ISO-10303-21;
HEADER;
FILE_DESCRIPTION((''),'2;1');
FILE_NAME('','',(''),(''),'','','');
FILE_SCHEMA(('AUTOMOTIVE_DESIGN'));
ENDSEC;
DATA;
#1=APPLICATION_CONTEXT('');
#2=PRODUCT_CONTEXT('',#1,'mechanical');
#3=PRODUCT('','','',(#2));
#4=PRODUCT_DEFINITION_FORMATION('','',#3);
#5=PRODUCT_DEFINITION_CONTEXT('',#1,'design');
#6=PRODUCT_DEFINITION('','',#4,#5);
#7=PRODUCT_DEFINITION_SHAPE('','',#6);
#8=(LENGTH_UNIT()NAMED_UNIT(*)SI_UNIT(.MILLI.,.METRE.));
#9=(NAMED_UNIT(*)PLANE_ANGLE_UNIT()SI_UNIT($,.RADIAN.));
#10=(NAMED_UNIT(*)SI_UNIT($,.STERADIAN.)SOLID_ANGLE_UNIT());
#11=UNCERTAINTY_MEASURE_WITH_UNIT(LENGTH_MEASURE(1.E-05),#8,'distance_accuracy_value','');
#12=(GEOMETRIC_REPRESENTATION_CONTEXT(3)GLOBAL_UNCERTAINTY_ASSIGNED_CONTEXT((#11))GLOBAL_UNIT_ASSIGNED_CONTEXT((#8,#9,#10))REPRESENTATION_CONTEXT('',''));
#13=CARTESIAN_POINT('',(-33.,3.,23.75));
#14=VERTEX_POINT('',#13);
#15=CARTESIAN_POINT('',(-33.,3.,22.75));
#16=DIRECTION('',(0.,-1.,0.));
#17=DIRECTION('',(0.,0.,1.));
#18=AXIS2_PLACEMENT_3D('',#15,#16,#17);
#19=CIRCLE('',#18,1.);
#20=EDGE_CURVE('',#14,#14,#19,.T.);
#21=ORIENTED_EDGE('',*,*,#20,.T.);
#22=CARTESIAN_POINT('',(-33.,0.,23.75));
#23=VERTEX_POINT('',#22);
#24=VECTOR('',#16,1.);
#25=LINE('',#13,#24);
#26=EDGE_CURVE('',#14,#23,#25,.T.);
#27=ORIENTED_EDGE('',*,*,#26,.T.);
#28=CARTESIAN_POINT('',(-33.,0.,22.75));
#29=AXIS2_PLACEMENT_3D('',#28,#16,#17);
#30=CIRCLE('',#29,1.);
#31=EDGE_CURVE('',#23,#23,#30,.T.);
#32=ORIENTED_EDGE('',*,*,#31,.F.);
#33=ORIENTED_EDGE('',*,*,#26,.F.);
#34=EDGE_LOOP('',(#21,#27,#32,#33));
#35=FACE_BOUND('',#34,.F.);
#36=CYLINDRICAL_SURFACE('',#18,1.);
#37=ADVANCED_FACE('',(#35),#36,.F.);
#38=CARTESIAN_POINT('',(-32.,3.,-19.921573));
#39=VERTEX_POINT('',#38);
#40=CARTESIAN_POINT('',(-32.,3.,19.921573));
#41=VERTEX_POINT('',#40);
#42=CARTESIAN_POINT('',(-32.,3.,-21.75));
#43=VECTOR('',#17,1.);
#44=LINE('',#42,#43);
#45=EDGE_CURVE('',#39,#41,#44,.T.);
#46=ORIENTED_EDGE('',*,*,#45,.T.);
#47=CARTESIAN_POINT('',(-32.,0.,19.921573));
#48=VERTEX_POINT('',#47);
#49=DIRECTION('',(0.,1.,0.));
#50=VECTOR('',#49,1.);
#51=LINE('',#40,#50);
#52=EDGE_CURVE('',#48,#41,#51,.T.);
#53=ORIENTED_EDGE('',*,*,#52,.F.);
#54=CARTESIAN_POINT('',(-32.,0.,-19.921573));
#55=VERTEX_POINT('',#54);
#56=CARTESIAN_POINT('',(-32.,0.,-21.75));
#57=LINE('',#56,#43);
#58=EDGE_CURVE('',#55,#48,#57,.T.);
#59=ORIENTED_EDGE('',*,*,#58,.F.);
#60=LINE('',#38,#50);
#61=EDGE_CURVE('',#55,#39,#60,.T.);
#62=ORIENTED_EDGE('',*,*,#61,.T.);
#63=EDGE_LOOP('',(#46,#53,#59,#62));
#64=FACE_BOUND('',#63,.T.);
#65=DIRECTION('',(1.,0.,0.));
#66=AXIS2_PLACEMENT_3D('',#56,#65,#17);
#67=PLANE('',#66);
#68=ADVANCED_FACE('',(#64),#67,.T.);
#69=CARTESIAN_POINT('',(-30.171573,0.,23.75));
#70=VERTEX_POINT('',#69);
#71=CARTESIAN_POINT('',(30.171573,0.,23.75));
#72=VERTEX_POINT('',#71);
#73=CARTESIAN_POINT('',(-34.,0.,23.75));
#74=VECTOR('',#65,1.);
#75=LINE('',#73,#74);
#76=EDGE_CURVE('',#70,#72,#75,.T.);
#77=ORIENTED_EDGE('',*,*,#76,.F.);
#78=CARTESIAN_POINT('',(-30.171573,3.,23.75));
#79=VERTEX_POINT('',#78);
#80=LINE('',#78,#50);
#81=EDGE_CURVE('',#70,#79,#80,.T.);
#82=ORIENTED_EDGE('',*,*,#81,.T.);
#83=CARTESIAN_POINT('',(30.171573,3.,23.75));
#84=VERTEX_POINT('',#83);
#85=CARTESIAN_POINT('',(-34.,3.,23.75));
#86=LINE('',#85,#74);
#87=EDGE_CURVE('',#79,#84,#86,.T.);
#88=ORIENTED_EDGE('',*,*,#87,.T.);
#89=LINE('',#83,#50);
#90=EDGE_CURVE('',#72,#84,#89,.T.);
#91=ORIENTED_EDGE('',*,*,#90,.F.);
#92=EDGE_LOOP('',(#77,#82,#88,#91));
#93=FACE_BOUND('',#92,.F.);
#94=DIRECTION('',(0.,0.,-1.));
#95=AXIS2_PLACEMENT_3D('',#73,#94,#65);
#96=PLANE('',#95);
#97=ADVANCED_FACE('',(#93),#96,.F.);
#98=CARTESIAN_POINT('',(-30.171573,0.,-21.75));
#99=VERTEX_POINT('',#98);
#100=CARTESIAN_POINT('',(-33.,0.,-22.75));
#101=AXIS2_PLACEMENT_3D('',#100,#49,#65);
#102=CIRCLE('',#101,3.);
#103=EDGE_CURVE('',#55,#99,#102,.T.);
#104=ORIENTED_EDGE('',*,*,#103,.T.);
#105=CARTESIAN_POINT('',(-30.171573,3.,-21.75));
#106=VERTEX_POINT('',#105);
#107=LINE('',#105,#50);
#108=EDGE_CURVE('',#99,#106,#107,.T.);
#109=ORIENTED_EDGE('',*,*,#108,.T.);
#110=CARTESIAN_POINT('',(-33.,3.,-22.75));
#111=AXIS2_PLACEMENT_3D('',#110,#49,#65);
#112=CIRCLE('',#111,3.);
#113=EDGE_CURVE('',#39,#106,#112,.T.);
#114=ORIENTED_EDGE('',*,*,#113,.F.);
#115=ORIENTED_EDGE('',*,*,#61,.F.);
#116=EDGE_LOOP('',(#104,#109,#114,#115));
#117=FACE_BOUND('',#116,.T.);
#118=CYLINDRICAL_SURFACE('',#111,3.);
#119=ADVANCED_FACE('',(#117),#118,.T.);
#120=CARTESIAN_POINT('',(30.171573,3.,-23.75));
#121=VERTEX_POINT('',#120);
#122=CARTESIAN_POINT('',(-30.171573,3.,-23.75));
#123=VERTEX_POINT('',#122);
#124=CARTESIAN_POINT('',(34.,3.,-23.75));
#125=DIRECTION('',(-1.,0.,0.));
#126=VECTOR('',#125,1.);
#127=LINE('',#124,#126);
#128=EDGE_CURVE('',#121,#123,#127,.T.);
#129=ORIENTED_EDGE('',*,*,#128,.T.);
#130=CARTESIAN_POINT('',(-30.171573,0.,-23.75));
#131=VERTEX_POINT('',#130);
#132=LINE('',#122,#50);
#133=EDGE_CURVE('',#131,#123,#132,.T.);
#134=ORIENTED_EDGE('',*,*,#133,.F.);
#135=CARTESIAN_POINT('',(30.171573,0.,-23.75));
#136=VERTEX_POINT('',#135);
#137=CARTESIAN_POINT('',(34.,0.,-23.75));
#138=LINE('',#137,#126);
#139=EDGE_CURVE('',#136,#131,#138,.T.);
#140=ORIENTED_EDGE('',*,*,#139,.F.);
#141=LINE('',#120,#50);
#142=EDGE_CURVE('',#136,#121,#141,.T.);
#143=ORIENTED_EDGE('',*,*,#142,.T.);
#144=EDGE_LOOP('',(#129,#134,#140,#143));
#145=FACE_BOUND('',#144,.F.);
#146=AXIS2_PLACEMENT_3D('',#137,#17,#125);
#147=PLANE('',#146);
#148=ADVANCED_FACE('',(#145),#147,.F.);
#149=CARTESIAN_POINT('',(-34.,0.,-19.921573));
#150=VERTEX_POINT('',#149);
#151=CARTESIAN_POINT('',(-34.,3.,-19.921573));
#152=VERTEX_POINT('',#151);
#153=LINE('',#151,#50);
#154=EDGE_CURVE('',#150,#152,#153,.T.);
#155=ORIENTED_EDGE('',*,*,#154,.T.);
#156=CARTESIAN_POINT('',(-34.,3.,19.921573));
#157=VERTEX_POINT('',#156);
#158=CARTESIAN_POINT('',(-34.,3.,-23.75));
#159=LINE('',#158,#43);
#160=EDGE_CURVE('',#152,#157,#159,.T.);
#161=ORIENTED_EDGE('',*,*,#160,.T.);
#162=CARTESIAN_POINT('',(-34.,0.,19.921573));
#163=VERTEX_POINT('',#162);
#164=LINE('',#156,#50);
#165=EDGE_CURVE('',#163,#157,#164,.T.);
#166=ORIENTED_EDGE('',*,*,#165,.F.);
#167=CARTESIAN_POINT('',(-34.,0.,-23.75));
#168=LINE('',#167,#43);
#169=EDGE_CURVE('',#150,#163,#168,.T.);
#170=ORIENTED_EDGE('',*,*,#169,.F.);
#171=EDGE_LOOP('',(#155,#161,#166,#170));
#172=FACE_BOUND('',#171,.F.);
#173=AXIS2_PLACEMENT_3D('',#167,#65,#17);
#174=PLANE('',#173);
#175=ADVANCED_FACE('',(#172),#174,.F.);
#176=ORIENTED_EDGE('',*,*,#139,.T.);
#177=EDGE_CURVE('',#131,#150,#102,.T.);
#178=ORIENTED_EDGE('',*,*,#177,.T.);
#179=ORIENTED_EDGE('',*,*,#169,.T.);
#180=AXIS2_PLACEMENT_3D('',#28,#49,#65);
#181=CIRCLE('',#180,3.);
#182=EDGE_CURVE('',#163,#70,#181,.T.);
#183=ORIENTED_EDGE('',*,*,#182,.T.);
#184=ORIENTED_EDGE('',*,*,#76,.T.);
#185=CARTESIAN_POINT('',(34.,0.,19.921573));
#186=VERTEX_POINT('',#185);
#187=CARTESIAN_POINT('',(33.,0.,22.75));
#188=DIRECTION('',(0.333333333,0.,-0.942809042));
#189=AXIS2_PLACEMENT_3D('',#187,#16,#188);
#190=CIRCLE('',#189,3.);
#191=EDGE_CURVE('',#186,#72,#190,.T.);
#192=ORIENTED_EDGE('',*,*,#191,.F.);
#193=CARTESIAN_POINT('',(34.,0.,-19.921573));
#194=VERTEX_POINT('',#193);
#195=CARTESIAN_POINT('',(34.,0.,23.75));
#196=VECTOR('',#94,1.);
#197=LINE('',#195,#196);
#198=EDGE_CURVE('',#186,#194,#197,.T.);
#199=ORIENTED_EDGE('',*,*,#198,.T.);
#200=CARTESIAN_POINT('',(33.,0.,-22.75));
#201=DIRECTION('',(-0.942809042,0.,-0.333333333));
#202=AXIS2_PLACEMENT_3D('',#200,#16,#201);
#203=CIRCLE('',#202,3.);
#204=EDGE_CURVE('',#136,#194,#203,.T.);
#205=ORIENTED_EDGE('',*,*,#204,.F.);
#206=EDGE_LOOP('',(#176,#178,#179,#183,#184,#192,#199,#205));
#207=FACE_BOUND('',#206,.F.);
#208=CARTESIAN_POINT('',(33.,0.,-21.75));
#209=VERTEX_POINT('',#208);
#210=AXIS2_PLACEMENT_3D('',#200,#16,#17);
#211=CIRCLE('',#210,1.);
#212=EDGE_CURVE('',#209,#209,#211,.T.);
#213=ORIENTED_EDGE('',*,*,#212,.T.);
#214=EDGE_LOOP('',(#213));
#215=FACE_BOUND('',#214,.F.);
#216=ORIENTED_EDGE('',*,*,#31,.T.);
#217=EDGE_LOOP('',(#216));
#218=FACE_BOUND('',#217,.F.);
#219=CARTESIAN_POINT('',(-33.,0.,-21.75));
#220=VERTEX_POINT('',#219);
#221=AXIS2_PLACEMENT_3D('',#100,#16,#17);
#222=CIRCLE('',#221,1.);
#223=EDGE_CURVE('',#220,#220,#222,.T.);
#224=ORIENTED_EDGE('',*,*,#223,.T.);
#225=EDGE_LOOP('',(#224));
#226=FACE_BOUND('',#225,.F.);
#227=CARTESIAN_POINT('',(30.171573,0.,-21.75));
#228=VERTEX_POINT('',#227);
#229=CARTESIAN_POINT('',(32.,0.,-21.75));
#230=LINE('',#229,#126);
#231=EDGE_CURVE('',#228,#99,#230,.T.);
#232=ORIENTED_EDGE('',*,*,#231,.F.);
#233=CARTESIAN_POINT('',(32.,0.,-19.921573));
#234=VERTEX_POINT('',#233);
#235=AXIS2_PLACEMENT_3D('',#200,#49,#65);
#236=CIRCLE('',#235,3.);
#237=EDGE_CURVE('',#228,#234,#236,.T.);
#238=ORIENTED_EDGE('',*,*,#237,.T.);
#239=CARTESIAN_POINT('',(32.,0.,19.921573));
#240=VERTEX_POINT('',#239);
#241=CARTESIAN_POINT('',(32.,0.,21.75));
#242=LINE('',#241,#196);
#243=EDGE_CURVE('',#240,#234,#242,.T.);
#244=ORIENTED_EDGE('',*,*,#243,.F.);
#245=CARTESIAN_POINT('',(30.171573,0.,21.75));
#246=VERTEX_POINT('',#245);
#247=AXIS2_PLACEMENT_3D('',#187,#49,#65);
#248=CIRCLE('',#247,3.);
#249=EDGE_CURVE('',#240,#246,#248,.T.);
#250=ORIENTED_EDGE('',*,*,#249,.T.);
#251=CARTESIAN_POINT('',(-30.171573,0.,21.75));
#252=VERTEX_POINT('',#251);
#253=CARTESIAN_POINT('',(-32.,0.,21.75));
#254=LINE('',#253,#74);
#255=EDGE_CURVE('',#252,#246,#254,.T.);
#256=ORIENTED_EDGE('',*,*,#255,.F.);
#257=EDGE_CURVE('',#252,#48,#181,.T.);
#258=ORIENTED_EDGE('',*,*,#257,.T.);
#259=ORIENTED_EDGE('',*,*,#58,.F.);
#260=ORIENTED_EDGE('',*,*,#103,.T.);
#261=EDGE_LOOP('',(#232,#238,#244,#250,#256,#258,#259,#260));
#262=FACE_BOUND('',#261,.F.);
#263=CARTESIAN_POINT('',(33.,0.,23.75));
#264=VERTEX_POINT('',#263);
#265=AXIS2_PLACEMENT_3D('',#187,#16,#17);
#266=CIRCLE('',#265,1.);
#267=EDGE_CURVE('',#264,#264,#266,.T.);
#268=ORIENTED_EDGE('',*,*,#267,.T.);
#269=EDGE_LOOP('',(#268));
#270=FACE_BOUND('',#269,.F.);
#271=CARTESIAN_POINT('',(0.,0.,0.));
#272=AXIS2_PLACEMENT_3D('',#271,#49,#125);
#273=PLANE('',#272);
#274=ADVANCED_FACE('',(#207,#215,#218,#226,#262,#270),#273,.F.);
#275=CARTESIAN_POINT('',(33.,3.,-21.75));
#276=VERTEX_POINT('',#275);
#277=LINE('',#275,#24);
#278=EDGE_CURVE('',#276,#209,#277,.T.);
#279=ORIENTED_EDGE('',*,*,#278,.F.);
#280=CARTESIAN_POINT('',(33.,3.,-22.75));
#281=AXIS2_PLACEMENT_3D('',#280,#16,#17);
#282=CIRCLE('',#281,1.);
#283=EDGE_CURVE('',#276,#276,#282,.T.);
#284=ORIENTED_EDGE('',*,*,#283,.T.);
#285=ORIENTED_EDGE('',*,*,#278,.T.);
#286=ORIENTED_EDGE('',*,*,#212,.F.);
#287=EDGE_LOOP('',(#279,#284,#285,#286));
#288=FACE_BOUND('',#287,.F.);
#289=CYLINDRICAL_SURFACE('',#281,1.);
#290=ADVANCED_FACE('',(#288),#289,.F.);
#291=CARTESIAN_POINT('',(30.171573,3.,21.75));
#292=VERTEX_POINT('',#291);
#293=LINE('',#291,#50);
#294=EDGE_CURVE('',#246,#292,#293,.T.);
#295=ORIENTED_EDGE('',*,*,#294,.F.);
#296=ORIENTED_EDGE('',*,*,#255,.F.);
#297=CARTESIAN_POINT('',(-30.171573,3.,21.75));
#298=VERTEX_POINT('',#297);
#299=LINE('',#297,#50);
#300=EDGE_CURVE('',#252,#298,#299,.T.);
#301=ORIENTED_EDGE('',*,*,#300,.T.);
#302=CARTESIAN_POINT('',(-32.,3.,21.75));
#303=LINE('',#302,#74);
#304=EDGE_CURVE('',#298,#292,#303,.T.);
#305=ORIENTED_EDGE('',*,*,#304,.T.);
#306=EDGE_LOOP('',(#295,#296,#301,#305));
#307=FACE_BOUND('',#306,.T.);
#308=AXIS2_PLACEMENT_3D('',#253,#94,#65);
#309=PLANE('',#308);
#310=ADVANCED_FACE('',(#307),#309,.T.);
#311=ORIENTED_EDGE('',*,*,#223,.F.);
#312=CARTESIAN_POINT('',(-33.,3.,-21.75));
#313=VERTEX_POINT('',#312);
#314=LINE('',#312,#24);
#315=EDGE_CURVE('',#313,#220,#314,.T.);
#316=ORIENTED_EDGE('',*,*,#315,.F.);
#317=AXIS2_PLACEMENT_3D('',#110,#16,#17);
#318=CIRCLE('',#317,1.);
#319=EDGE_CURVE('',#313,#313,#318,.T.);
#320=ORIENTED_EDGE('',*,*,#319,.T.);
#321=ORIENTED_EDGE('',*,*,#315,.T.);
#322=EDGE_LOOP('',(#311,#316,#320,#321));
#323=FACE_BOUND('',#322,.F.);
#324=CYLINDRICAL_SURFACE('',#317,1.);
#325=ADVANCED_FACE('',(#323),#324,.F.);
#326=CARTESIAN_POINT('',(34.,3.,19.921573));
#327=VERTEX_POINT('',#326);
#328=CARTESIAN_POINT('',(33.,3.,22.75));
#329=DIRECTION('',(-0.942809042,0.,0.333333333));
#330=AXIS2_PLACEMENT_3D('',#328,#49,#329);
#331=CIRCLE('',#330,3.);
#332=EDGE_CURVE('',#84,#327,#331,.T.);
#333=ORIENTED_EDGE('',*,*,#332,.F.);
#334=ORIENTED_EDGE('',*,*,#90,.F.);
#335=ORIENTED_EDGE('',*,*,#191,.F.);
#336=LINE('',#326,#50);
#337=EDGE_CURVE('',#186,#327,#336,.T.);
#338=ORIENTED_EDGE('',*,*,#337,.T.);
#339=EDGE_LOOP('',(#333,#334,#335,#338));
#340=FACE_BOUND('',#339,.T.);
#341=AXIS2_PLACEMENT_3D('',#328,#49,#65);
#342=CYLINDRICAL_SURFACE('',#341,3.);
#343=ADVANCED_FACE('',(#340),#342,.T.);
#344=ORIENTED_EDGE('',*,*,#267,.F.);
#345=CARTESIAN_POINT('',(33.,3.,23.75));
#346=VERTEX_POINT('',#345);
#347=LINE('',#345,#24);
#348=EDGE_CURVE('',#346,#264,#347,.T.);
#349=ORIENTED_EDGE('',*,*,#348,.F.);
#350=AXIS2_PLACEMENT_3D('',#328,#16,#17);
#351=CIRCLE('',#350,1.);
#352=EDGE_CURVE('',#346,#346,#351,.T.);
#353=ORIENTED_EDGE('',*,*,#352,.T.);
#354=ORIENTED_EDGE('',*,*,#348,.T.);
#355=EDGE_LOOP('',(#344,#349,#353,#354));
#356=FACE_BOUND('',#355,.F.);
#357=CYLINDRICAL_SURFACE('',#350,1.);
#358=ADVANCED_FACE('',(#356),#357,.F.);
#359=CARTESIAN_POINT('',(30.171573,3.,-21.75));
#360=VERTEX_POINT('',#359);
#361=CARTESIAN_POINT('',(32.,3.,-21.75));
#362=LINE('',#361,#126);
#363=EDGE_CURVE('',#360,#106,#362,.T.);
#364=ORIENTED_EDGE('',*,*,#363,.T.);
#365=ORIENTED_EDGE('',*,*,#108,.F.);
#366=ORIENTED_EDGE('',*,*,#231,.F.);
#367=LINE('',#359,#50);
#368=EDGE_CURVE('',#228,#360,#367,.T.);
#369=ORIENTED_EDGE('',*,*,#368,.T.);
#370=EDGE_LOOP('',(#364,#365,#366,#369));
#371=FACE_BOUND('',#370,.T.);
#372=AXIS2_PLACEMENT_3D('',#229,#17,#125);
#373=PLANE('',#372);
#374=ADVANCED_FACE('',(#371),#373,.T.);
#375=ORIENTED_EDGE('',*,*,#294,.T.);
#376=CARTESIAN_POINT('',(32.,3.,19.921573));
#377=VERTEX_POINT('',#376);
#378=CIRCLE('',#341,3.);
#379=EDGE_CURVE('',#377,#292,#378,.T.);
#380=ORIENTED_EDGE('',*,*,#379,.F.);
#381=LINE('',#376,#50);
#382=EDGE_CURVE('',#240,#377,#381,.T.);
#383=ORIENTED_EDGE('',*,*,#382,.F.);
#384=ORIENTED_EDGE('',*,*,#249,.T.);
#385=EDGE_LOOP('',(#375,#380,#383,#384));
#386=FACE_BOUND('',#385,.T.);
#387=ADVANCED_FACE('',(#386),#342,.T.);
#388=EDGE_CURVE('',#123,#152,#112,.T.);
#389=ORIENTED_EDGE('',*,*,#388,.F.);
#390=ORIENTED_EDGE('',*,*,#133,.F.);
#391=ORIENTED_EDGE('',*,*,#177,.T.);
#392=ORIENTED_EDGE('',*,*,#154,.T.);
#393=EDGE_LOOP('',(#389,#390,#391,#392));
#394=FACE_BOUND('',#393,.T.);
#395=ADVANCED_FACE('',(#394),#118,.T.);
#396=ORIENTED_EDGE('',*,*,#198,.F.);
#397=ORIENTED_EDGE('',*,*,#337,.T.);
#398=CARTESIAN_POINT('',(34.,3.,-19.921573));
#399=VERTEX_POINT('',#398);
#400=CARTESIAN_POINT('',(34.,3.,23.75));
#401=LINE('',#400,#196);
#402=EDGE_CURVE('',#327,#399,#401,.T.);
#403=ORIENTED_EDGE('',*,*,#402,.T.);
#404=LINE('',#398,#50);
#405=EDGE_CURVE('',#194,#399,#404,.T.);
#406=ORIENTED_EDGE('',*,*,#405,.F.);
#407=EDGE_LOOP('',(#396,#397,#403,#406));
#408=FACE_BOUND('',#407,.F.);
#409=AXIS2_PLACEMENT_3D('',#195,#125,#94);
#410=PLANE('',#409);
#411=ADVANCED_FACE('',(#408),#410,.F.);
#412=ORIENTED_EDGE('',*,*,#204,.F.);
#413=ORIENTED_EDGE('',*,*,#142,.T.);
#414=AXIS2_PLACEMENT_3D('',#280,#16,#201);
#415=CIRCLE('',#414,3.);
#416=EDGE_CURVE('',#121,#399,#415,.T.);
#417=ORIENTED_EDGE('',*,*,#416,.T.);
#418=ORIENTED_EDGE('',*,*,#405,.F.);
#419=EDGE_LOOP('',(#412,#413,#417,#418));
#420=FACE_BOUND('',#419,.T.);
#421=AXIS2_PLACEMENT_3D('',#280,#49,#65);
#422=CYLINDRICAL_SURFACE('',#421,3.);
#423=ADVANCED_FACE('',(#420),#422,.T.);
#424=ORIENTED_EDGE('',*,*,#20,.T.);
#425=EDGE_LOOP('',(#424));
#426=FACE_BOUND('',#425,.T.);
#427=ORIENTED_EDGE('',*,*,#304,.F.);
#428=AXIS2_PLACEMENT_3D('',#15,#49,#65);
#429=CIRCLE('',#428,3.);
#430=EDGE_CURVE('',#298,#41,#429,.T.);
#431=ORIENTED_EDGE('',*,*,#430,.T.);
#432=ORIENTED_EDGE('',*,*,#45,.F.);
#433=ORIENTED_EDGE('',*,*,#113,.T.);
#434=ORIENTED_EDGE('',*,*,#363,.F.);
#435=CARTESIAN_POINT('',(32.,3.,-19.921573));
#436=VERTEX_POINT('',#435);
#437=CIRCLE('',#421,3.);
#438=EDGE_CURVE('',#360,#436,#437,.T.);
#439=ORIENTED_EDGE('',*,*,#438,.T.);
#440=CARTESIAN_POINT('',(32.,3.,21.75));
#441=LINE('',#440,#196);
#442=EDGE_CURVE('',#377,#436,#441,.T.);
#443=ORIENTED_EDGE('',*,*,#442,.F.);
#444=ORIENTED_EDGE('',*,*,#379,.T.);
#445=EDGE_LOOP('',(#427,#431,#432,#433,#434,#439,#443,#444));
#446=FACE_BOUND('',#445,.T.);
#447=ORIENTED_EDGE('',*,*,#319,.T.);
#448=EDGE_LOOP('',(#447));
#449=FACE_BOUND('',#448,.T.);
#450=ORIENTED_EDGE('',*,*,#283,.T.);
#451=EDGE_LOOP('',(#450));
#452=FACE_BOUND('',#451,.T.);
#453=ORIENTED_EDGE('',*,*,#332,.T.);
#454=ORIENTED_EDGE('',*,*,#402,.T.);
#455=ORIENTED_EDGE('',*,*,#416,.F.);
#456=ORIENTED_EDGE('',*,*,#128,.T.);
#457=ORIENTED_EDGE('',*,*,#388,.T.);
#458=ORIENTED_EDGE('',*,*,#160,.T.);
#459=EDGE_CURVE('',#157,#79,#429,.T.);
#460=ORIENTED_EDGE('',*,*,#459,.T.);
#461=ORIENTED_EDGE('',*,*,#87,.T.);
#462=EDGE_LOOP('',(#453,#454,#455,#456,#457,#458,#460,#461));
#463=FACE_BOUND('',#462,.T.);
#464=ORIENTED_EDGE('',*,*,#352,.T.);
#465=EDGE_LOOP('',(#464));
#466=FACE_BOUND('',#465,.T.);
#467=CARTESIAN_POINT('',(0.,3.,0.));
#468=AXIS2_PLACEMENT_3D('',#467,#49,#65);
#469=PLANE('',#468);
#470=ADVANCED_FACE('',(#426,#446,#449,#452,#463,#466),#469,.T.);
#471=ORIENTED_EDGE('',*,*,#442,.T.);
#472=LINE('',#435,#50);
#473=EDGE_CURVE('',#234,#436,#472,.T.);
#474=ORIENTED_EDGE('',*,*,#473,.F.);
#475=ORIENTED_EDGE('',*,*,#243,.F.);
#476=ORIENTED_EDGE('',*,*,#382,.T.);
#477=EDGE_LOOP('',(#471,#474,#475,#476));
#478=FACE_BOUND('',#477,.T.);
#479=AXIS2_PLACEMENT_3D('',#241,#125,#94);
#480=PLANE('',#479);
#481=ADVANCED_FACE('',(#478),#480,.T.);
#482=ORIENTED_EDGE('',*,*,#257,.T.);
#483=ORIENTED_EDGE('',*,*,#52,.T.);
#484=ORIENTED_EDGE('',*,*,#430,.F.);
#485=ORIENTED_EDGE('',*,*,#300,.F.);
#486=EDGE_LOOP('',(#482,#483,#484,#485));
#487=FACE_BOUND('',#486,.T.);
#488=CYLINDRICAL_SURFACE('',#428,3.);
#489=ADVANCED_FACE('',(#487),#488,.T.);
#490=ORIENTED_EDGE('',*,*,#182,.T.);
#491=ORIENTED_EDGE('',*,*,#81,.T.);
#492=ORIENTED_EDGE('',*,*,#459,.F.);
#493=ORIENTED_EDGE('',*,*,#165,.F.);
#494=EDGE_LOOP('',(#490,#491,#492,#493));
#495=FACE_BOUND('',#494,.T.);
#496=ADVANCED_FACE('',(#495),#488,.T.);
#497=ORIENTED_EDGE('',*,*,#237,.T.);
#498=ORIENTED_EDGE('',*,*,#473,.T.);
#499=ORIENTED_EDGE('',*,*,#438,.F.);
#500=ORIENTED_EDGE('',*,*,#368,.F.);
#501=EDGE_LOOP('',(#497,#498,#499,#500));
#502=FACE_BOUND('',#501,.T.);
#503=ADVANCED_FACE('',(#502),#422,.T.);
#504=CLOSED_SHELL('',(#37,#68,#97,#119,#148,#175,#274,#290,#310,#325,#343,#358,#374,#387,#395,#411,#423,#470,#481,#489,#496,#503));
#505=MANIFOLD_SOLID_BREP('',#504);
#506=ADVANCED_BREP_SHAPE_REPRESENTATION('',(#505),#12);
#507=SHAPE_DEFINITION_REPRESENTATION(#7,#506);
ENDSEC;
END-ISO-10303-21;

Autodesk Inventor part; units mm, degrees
ref_plane "YZ Plane" through (0, 0, 0) normal (1, 0, 0) x (0, 1, 0)
ref_plane "XZ Plane" through (0, 0, 0) normal (0, 1, 0) x (-1, 0, 0)
ref_plane "XY Plane" through (0, 0, 0) normal (0, 0, 1) x (1, 0, 0)
sketch "Sketch1" plane through (0, 0, 0) normal (0, 1, 0) x (-1, 0, 0)
  line L0 (-33, 22.75) -> (33, 22.75) construction
  line L1 (33, 22.75) -> (33, -22.75) construction
  line L2 (33, -22.75) -> (-33, -22.75) construction
  line L3 (-33, -22.75) -> (-33, 22.75) construction
  line L4 (-33, 22.75) -> (33, -22.75) construction
  line L5 (33, 22.75) -> (-33, -22.75) construction
  line L6 (32, -21.75) -> (32, 21.75)
  line L7 (32, 21.75) -> (-32, 21.75)
  line L8 (-32, 21.75) -> (-32, -21.75)
  line L9 (-32, -21.75) -> (32, -21.75)
  line L10 (34, -23.75) -> (34, 23.75)
  line L11 (34, 23.75) -> (-34, 23.75)
  line L12 (-34, 23.75) -> (-34, -23.75)
  line L13 (-34, -23.75) -> (34, -23.75)
  point P0 (0, 0)
  dimension "d0" = 45.5
  dimension "d1" = 66
  dimension "d18" = 1
  dimension "d19" = 1
extrude "Extrusion1" add sketch "Sketch1" along normal blind 3
sketch "Sketch4" plane through (0, 3, 0) normal (0, 1, 0) x (1, 0, 0)
  line L0 (-32, -21.75) -> (-32, 21.75) construction
  line L1 (-34, 23.75) -> (-32, 21.75) construction
  line L2 (33, -22.75) -> (-33, -22.75) construction
  line L3 (-33, -22.75) -> (-33, 22.75) construction
  line L4 (-33, 22.75) -> (33, 22.75) construction
  line L5 (33, 22.75) -> (33, -22.75) construction
  line L6 (33, -22.75) -> (-33, 22.75) construction
  line L7 (-33, -22.75) -> (33, 22.75) construction
  circle A0 centre (-33, 22.75) radius 3
  circle A1 centre (33, 22.75) radius 3
  circle A2 centre (-33, -22.75) radius 3
  circle A3 centre (33, -22.75) radius 3
  point P0 (0, 0)
  dimension "d20" = 6
  dimension "d21" = 6
  dimension "d22" = 6
  dimension "d23" = 6
extrude "Extrusion3" add sketch "Sketch4" against normal up to surface (3 mm away)
sketch "Sketch5" plane through (0, 3, 0) normal (0, 1, 0) x (1, 0, 0)
  line L0 (-30.1716, -23.75) -> (30.1716, -23.75) projected
  arc A0 (30.1716, -23.75) -> (34, -19.9216) centre (33, -22.75) ccw projected
  line L1 (34, -19.9216) -> (34, 19.9216) projected
  arc A1 (34, 19.9216) -> (30.1716, 23.75) centre (33, 22.75) ccw projected
  line L2 (30.1716, 23.75) -> (-30.1716, 23.75) projected
  arc A2 (-30.1716, 23.75) -> (-34, 19.9216) centre (-33, 22.75) ccw projected
  line L3 (-34, 19.9216) -> (-34, -19.9216) projected
  arc A3 (-34, -19.9216) -> (-30.1716, -23.75) centre (-33, -22.75) ccw projected
  arc A4 (-30.1716, -21.75) -> (-32, -19.9216) centre (-33, -22.75) ccw projected
  line L4 (-32, -19.9216) -> (-32, 19.9216) projected
  arc A5 (-32, 19.9216) -> (-30.1716, 21.75) centre (-33, 22.75) ccw projected
  line L5 (-30.1716, 21.75) -> (30.1716, 21.75) projected
  arc A6 (30.1716, 21.75) -> (32, 19.9216) centre (33, 22.75) ccw projected
  line L6 (32, 19.9216) -> (32, -19.9216) projected
  arc A7 (32, -19.9216) -> (30.1716, -21.75) centre (33, -22.75) ccw projected
  line L7 (30.1716, -21.75) -> (-30.1716, -21.75) projected
  point P0 (0, 0)
hole "Hole2" at (-33, 3, -22.75) at (33, 3, -22.75) at (-33, 3, 22.75) at (33, 3, 22.75) direction (0, -1, 0) diameter 2 depth 25 tip angle 118
equation "\"d18\" = d19"
equation "\"d21\" = d20"
equation "\"d22\" = d20"
equation "\"d23\" = d20"
properties part number "soporte_placa_separador"
